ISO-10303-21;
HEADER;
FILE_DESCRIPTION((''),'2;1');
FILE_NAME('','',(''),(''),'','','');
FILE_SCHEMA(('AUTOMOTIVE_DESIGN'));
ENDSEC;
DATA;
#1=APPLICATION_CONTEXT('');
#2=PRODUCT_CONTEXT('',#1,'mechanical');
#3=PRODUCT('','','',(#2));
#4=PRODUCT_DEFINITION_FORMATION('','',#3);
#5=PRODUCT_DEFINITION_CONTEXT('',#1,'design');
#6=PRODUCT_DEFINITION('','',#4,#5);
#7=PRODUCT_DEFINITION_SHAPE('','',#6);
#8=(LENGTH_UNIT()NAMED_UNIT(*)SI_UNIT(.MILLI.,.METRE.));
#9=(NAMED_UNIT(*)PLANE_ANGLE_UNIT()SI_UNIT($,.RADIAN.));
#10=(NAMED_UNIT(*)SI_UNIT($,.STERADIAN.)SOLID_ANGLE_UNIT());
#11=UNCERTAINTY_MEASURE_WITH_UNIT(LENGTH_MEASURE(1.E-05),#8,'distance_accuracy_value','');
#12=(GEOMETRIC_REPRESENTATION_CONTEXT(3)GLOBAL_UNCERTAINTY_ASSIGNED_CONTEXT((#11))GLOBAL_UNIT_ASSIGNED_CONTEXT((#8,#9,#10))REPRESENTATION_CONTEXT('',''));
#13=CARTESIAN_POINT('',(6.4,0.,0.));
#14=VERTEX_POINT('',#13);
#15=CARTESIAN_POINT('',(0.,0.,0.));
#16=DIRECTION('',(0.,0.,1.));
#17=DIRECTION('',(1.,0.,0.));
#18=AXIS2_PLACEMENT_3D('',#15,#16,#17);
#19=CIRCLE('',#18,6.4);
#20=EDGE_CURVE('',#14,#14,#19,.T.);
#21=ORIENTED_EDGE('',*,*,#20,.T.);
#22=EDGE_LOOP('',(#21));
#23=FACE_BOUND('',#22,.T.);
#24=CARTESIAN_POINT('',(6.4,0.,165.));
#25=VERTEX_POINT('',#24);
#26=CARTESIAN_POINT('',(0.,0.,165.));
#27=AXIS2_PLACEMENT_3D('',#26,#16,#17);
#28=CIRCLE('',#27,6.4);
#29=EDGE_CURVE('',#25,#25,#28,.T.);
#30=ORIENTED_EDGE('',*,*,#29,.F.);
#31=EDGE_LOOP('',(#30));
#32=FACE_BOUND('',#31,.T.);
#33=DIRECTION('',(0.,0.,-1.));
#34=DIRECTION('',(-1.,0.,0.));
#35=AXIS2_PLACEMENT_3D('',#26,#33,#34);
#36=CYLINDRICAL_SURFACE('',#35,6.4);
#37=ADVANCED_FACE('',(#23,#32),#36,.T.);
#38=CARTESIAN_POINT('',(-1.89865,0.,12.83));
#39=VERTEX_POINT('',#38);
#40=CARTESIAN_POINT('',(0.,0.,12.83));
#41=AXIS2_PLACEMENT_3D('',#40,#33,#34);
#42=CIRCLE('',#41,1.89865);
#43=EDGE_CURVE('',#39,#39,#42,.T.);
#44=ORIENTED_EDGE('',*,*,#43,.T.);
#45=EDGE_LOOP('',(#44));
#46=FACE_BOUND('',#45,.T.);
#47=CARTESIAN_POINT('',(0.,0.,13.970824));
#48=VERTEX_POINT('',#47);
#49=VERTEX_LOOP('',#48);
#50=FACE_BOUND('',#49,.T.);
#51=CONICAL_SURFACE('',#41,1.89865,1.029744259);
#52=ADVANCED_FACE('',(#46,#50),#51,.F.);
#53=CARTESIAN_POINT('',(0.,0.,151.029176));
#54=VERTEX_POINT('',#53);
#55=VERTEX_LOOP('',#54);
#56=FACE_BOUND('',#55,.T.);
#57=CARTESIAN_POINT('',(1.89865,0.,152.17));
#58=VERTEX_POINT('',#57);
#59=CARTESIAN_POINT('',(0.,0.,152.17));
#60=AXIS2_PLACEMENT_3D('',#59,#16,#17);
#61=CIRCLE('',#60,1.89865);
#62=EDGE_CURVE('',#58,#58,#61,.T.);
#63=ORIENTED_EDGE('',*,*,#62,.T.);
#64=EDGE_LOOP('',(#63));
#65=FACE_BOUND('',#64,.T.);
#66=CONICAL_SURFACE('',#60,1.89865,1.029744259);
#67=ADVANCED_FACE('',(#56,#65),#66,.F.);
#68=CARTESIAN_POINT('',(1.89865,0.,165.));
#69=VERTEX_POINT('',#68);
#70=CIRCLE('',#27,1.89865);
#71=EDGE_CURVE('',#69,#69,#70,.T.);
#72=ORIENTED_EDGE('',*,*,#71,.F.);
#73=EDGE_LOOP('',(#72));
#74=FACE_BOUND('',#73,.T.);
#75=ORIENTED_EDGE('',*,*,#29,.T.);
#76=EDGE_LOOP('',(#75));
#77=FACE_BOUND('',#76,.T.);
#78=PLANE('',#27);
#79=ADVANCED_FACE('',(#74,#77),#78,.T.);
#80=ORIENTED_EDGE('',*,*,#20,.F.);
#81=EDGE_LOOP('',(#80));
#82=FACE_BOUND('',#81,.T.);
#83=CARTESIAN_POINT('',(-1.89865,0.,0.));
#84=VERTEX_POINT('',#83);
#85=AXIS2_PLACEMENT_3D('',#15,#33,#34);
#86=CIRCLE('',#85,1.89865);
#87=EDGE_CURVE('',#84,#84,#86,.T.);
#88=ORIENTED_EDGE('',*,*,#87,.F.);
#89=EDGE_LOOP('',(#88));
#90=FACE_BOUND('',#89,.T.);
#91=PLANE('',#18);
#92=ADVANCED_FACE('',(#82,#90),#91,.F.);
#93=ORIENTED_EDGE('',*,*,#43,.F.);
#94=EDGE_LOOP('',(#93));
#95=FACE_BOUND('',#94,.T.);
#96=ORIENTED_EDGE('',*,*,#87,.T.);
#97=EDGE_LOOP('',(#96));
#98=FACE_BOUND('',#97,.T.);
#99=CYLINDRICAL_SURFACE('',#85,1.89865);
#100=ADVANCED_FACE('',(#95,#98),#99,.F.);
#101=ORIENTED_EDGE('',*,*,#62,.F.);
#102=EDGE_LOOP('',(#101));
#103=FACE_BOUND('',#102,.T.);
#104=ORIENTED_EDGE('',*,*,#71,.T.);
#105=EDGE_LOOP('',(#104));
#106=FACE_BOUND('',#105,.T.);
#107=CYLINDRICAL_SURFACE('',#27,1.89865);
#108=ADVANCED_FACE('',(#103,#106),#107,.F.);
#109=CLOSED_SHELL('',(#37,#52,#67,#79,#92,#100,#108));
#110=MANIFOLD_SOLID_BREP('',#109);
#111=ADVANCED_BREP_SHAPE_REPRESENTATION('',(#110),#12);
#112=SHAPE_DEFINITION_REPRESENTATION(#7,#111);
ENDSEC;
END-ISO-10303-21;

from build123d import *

# Parameters (mm, degrees)
SKETCH1_R                  = 6.4
BOSS_EXTRUDE1_DEPTH        = 165
F_10_24_TAPPED_HOLE1_D     = 3.7973
F_10_24_TAPPED_HOLE1_DEPTH = 12.83
F_10_24_TAPPED_HOLE1_TIP   = 1.140824014
F_10_24_TAPPED_HOLE2_D     = 3.7973
F_10_24_TAPPED_HOLE2_DEPTH = 12.83
F_10_24_TAPPED_HOLE2_TIP   = 1.140824014


with BuildPart() as part:
    # Sketch1 → Boss-Extrude1 (new body)
    with BuildSketch(Plane.XY):
        Circle(SKETCH1_R)
    extrude(amount=BOSS_EXTRUDE1_DEPTH)

    # #10-24 Tapped Hole1
    with Locations(Plane(origin=(0, 0, 0), x_dir=(-1, 0, 0), z_dir=(0, 0, -1))):
        with Locations((0, 0)):
            Hole(F_10_24_TAPPED_HOLE1_D / 2, depth=F_10_24_TAPPED_HOLE1_DEPTH)
            with Locations((0, 0, -(F_10_24_TAPPED_HOLE1_DEPTH + F_10_24_TAPPED_HOLE1_TIP / 2))):  # 118° drill point
                Cone(0, F_10_24_TAPPED_HOLE1_D / 2, F_10_24_TAPPED_HOLE1_TIP, mode=Mode.SUBTRACT)

    # #10-24 Tapped Hole2
    with Locations(Plane.XY.offset(165)):
        with Locations((0, 0)):
            Hole(F_10_24_TAPPED_HOLE2_D / 2, depth=F_10_24_TAPPED_HOLE2_DEPTH)
            with Locations((0, 0, -(F_10_24_TAPPED_HOLE2_DEPTH + F_10_24_TAPPED_HOLE2_TIP / 2))):  # 118° drill point
                Cone(0, F_10_24_TAPPED_HOLE2_D / 2, F_10_24_TAPPED_HOLE2_TIP, mode=Mode.SUBTRACT)


solid = part.part
